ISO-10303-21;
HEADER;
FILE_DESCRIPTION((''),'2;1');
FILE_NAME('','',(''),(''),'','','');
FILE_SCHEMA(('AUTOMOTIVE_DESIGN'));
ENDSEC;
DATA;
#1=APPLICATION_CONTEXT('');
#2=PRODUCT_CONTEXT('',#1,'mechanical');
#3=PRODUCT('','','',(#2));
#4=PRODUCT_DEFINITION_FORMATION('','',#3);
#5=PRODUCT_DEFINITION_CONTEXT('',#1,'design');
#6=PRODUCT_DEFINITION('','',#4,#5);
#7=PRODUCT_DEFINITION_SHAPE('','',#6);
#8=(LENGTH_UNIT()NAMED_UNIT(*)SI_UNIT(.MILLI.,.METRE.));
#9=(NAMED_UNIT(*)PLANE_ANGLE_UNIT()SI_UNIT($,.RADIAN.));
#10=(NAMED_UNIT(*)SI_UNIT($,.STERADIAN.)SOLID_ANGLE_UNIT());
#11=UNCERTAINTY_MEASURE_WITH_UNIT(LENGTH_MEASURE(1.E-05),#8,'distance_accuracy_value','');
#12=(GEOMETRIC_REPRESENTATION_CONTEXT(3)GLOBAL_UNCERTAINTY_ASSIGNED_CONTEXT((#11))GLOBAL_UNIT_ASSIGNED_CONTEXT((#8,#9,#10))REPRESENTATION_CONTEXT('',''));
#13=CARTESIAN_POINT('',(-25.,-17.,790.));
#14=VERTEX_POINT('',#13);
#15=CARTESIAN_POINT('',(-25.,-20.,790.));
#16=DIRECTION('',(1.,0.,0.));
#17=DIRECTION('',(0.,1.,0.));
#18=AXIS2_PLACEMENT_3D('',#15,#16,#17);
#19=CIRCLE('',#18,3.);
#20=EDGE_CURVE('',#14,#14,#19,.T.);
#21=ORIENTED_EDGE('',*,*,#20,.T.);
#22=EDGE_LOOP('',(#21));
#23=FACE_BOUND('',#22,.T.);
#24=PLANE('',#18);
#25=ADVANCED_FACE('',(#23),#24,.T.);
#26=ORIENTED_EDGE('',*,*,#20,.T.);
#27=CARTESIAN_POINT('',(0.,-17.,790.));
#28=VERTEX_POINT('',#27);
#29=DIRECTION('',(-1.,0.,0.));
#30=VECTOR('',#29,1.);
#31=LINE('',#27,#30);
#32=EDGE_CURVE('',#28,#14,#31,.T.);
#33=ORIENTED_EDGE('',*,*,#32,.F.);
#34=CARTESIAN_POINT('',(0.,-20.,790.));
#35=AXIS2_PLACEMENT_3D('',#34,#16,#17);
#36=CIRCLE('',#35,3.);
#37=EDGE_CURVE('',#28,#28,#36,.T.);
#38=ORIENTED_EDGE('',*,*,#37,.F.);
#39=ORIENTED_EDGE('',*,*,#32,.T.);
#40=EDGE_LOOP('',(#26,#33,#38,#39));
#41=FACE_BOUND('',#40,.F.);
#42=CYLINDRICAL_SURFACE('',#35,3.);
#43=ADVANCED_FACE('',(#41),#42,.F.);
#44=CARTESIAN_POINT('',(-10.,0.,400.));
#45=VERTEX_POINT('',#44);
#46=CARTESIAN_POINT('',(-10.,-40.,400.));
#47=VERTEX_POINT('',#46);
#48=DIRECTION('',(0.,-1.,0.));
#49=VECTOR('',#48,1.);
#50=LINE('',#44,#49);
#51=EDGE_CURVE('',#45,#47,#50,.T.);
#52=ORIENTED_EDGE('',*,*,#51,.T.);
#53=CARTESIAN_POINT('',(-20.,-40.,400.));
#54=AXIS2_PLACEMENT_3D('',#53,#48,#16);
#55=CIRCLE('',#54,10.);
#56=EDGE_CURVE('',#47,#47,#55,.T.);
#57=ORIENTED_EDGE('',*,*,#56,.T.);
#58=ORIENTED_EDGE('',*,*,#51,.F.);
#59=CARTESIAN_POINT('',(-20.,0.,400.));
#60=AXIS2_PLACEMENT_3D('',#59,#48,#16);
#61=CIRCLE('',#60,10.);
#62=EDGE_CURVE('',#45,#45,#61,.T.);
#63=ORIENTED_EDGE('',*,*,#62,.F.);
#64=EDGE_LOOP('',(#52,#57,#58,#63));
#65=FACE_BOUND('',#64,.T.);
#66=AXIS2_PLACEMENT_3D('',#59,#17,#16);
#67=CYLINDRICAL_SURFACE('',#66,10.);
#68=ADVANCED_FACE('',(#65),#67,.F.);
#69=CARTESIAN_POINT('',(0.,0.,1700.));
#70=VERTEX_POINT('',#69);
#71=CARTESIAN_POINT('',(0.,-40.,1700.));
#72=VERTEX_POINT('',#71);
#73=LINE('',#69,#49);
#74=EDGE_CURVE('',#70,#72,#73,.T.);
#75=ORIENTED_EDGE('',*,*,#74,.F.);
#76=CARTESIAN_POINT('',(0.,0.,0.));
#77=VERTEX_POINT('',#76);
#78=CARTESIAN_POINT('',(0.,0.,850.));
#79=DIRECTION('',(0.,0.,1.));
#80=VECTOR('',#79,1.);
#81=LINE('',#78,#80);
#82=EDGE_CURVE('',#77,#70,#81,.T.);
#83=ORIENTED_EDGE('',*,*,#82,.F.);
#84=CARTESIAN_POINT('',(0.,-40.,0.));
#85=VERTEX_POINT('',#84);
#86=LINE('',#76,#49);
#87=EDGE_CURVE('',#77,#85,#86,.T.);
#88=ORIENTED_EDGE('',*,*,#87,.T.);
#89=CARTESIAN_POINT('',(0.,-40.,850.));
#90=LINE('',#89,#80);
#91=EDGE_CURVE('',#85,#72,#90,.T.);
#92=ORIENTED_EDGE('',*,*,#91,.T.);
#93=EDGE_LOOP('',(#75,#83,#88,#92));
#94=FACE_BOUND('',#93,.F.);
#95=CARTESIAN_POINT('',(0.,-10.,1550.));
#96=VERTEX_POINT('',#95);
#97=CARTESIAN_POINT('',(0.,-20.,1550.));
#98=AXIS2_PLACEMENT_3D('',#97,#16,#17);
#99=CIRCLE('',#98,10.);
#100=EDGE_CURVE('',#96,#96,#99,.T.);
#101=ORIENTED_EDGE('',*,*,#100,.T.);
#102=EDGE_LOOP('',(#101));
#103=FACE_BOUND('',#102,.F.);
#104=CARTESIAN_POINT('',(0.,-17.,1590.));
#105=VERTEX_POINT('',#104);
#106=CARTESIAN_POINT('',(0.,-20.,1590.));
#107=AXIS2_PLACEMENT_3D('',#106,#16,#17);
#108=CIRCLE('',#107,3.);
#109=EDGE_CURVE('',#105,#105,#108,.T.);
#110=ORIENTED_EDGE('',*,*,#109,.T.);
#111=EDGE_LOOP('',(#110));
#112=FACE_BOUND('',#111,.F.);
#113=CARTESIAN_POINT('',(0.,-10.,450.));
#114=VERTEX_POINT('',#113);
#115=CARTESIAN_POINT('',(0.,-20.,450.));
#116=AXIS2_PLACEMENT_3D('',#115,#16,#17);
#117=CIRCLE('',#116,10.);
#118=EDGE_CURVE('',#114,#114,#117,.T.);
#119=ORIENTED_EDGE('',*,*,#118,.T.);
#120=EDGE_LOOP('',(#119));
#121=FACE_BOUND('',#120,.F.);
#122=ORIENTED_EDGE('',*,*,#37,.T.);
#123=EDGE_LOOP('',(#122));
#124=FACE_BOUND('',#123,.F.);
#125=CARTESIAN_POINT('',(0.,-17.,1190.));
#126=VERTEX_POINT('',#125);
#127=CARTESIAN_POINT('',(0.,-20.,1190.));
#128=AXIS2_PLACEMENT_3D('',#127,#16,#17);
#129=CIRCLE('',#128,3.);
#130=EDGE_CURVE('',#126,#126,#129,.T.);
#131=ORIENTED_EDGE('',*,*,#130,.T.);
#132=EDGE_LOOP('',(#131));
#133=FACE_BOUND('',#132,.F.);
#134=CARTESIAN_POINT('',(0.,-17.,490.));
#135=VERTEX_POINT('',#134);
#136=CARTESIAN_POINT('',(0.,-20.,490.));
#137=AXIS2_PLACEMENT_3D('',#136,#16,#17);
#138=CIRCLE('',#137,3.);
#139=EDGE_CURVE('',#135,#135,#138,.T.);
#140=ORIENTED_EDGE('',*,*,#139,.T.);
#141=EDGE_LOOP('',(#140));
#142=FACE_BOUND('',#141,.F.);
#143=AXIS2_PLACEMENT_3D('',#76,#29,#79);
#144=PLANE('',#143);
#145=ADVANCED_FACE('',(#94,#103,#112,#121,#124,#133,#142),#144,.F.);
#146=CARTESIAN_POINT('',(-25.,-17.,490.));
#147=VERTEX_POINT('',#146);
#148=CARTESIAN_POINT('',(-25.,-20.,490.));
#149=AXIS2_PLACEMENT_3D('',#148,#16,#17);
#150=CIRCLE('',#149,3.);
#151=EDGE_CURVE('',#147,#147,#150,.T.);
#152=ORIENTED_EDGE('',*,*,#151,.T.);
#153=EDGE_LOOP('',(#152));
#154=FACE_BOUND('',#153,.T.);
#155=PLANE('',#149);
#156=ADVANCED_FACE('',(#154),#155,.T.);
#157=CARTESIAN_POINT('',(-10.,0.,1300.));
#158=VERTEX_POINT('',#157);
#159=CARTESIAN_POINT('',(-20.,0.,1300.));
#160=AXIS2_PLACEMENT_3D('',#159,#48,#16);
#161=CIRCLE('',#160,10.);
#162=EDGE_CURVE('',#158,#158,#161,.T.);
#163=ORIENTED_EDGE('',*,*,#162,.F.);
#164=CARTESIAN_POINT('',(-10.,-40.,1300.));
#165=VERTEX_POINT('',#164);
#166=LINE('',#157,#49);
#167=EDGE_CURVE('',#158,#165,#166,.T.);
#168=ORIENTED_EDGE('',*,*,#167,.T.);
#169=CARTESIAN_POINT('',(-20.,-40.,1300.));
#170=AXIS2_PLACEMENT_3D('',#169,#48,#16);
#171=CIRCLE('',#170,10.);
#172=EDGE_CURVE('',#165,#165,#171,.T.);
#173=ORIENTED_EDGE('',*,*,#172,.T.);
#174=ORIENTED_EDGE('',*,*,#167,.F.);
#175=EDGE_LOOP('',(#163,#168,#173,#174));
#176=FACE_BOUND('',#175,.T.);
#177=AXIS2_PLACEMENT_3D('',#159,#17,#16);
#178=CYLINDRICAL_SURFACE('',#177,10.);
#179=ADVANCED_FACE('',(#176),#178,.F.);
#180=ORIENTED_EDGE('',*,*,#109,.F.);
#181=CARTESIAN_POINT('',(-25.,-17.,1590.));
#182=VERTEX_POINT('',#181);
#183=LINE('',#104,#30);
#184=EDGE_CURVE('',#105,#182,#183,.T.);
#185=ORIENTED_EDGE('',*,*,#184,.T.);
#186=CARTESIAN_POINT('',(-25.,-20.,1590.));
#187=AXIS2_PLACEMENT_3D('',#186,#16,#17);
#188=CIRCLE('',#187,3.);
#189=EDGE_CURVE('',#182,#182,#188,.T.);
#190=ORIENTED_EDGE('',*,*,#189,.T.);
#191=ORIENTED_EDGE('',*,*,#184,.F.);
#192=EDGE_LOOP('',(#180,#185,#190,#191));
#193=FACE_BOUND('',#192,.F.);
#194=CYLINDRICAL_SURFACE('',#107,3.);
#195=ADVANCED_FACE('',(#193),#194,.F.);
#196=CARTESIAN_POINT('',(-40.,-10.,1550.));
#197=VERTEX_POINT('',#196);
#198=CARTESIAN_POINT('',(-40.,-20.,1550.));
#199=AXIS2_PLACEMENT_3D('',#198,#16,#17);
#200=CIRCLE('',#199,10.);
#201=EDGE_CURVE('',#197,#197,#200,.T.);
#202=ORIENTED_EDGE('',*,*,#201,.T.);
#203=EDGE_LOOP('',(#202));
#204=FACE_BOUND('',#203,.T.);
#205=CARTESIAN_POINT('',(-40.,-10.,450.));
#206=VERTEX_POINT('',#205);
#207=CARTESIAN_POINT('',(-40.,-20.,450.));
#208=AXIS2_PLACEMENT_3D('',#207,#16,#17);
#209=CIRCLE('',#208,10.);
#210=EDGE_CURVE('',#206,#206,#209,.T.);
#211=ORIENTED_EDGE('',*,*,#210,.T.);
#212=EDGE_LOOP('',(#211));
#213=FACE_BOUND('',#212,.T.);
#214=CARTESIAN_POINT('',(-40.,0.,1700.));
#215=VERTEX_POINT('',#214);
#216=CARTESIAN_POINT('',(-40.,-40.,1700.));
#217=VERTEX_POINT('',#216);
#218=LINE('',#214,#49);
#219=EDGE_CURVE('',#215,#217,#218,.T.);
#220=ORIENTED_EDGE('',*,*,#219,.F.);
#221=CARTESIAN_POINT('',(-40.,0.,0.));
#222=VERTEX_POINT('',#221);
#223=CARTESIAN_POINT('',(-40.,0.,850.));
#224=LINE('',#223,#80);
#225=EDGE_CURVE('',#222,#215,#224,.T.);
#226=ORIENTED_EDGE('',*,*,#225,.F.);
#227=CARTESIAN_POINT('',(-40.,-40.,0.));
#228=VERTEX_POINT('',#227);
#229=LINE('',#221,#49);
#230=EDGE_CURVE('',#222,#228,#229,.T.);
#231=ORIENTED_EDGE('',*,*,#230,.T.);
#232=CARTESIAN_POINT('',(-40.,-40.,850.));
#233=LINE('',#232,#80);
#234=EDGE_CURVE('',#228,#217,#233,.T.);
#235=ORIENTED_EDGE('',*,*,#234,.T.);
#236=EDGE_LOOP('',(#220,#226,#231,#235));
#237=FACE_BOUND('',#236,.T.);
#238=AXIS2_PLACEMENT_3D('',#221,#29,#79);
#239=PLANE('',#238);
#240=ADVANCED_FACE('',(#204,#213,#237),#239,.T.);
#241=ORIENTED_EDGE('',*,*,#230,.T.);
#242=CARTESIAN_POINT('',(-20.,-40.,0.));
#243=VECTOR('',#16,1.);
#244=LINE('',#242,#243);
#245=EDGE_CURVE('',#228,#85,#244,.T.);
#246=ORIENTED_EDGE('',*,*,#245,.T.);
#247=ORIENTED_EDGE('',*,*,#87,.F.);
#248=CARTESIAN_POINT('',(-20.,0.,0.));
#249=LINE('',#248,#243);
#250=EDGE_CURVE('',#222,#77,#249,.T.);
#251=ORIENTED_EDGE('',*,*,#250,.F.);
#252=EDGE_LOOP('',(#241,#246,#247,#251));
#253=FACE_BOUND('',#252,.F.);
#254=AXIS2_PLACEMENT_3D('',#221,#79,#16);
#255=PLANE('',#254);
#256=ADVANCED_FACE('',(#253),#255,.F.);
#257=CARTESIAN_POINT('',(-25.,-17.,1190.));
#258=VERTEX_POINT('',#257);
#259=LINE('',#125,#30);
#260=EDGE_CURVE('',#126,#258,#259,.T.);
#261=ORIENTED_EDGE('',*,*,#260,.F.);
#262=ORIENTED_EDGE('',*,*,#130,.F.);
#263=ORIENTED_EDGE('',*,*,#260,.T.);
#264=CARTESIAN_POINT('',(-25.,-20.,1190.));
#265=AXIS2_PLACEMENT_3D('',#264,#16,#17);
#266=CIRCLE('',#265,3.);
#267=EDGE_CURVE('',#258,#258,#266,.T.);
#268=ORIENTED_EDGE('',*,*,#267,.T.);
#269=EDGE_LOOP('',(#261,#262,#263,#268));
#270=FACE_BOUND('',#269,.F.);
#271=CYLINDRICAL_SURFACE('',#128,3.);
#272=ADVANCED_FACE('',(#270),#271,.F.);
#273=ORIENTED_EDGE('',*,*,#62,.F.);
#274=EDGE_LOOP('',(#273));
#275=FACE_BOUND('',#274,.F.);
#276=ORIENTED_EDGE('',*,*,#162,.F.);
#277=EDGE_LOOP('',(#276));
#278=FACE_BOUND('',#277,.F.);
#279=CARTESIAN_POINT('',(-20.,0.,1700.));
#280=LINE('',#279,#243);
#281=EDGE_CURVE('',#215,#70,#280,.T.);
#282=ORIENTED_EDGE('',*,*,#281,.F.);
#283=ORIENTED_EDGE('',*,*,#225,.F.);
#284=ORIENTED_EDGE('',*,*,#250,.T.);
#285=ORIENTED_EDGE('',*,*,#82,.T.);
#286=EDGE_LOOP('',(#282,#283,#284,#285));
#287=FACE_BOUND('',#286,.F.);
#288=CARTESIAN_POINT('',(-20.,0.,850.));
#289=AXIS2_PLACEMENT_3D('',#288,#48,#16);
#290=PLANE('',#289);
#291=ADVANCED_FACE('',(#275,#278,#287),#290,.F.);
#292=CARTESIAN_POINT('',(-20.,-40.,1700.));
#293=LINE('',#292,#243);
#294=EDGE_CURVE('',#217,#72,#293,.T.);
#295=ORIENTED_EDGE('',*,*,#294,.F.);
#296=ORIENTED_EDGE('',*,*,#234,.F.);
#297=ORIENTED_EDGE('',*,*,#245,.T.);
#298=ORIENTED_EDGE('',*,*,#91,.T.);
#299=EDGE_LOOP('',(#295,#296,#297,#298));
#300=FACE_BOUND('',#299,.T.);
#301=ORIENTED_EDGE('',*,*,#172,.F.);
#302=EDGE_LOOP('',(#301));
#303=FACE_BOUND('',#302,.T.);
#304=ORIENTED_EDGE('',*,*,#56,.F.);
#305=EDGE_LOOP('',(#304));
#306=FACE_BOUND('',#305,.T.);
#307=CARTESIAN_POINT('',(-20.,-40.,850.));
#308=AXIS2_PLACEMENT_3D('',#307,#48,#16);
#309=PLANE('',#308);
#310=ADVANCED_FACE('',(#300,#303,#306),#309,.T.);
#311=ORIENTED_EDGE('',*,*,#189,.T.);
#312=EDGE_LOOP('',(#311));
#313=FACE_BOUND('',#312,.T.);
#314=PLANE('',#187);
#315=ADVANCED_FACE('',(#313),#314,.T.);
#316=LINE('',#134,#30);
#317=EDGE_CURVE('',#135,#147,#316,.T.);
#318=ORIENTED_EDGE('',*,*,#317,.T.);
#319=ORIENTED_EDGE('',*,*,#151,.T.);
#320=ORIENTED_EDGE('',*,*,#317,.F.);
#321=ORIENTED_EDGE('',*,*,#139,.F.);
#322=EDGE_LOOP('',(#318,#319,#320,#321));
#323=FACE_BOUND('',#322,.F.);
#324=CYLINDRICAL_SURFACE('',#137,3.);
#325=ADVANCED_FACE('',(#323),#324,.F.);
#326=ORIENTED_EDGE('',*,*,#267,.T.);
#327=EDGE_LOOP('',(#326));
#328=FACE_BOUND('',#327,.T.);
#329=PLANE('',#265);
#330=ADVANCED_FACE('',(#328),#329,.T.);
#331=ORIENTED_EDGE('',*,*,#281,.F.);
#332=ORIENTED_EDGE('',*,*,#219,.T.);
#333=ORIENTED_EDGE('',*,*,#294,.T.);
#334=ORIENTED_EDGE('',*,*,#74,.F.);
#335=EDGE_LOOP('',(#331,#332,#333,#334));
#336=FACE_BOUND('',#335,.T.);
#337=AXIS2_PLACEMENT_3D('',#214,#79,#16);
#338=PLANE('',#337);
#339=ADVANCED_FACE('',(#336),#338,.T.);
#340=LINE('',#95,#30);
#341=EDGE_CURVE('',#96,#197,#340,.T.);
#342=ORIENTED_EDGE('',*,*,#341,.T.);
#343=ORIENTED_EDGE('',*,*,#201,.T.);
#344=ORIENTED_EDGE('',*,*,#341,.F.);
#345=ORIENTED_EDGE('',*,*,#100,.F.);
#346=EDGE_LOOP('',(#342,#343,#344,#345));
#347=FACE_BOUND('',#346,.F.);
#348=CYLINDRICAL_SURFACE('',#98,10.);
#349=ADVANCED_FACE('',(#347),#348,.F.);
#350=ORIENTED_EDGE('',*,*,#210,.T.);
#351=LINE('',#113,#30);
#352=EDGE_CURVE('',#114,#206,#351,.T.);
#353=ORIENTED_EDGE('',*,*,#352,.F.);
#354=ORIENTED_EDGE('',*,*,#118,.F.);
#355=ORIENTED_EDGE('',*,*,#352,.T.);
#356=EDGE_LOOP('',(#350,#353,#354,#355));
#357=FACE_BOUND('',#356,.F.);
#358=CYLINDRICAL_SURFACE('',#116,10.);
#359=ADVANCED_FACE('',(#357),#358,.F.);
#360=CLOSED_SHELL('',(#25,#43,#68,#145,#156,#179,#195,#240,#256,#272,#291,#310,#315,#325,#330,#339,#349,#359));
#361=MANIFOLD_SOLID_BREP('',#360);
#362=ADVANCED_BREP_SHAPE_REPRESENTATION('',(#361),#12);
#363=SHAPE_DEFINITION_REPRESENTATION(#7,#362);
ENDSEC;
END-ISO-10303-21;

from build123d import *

# Parameters (mm, degrees)
F0_W     = 40
F0_H     = 1700
F0_R     = 10
F1_DEPTH = 40
F7_R     = 10
F2_DEPTH = 40.001
F3_DEPTH = 40.001
F7_R_2   = 3
F4_DEPTH = 25
F8_DEPTH = 25
F5_DEPTH = 25
F6_DEPTH = 25


with BuildPart() as f1:
    # F0 (on Front) → F1 (new body)
    with BuildSketch(Plane.XZ):
        with Locations((-20, 850)):
            Rectangle(F0_W, F0_H)
        with Locations((-20, 400)):
            Circle(F0_R, mode=Mode.SUBTRACT)
        with Locations((-20, 1300)):
            Circle(F0_R, mode=Mode.SUBTRACT)
    extrude(amount=F1_DEPTH)

    # F7 (on face) → F2 (cut, through all)
    with BuildSketch(Plane.YZ):
        with Locations((-20, 450)):
            Circle(F7_R)
    extrude(amount=-F2_DEPTH, mode=Mode.SUBTRACT)

    # F7 (on face) → F3 (cut, through all)
    with BuildSketch(Plane.YZ):
        with Locations((-20, 1550)):
            Circle(F7_R)
    extrude(amount=-F3_DEPTH, mode=Mode.SUBTRACT)

    # F7 (on face) → F4 (cut)
    with BuildSketch(Plane.YZ):
        with Locations((-20, 490)):
            Circle(F7_R_2)
    extrude(amount=-F4_DEPTH, mode=Mode.SUBTRACT)

    # F7 (on face) → F8 (cut)
    with BuildSketch(Plane.YZ):
        with Locations((-20, 790)):
            Circle(F7_R_2)
    extrude(amount=-F8_DEPTH, mode=Mode.SUBTRACT)

    # F7 (on face) → F5 (cut)
    with BuildSketch(Plane.YZ):
        with Locations((-20, 1190)):
            Circle(F7_R_2)
    extrude(amount=-F5_DEPTH, mode=Mode.SUBTRACT)

    # F7 (on face) → F6 (cut)
    with BuildSketch(Plane.YZ):
        with Locations((-20, 1590)):
            Circle(F7_R_2)
    extrude(amount=-F6_DEPTH, mode=Mode.SUBTRACT)


solid = f1.part
